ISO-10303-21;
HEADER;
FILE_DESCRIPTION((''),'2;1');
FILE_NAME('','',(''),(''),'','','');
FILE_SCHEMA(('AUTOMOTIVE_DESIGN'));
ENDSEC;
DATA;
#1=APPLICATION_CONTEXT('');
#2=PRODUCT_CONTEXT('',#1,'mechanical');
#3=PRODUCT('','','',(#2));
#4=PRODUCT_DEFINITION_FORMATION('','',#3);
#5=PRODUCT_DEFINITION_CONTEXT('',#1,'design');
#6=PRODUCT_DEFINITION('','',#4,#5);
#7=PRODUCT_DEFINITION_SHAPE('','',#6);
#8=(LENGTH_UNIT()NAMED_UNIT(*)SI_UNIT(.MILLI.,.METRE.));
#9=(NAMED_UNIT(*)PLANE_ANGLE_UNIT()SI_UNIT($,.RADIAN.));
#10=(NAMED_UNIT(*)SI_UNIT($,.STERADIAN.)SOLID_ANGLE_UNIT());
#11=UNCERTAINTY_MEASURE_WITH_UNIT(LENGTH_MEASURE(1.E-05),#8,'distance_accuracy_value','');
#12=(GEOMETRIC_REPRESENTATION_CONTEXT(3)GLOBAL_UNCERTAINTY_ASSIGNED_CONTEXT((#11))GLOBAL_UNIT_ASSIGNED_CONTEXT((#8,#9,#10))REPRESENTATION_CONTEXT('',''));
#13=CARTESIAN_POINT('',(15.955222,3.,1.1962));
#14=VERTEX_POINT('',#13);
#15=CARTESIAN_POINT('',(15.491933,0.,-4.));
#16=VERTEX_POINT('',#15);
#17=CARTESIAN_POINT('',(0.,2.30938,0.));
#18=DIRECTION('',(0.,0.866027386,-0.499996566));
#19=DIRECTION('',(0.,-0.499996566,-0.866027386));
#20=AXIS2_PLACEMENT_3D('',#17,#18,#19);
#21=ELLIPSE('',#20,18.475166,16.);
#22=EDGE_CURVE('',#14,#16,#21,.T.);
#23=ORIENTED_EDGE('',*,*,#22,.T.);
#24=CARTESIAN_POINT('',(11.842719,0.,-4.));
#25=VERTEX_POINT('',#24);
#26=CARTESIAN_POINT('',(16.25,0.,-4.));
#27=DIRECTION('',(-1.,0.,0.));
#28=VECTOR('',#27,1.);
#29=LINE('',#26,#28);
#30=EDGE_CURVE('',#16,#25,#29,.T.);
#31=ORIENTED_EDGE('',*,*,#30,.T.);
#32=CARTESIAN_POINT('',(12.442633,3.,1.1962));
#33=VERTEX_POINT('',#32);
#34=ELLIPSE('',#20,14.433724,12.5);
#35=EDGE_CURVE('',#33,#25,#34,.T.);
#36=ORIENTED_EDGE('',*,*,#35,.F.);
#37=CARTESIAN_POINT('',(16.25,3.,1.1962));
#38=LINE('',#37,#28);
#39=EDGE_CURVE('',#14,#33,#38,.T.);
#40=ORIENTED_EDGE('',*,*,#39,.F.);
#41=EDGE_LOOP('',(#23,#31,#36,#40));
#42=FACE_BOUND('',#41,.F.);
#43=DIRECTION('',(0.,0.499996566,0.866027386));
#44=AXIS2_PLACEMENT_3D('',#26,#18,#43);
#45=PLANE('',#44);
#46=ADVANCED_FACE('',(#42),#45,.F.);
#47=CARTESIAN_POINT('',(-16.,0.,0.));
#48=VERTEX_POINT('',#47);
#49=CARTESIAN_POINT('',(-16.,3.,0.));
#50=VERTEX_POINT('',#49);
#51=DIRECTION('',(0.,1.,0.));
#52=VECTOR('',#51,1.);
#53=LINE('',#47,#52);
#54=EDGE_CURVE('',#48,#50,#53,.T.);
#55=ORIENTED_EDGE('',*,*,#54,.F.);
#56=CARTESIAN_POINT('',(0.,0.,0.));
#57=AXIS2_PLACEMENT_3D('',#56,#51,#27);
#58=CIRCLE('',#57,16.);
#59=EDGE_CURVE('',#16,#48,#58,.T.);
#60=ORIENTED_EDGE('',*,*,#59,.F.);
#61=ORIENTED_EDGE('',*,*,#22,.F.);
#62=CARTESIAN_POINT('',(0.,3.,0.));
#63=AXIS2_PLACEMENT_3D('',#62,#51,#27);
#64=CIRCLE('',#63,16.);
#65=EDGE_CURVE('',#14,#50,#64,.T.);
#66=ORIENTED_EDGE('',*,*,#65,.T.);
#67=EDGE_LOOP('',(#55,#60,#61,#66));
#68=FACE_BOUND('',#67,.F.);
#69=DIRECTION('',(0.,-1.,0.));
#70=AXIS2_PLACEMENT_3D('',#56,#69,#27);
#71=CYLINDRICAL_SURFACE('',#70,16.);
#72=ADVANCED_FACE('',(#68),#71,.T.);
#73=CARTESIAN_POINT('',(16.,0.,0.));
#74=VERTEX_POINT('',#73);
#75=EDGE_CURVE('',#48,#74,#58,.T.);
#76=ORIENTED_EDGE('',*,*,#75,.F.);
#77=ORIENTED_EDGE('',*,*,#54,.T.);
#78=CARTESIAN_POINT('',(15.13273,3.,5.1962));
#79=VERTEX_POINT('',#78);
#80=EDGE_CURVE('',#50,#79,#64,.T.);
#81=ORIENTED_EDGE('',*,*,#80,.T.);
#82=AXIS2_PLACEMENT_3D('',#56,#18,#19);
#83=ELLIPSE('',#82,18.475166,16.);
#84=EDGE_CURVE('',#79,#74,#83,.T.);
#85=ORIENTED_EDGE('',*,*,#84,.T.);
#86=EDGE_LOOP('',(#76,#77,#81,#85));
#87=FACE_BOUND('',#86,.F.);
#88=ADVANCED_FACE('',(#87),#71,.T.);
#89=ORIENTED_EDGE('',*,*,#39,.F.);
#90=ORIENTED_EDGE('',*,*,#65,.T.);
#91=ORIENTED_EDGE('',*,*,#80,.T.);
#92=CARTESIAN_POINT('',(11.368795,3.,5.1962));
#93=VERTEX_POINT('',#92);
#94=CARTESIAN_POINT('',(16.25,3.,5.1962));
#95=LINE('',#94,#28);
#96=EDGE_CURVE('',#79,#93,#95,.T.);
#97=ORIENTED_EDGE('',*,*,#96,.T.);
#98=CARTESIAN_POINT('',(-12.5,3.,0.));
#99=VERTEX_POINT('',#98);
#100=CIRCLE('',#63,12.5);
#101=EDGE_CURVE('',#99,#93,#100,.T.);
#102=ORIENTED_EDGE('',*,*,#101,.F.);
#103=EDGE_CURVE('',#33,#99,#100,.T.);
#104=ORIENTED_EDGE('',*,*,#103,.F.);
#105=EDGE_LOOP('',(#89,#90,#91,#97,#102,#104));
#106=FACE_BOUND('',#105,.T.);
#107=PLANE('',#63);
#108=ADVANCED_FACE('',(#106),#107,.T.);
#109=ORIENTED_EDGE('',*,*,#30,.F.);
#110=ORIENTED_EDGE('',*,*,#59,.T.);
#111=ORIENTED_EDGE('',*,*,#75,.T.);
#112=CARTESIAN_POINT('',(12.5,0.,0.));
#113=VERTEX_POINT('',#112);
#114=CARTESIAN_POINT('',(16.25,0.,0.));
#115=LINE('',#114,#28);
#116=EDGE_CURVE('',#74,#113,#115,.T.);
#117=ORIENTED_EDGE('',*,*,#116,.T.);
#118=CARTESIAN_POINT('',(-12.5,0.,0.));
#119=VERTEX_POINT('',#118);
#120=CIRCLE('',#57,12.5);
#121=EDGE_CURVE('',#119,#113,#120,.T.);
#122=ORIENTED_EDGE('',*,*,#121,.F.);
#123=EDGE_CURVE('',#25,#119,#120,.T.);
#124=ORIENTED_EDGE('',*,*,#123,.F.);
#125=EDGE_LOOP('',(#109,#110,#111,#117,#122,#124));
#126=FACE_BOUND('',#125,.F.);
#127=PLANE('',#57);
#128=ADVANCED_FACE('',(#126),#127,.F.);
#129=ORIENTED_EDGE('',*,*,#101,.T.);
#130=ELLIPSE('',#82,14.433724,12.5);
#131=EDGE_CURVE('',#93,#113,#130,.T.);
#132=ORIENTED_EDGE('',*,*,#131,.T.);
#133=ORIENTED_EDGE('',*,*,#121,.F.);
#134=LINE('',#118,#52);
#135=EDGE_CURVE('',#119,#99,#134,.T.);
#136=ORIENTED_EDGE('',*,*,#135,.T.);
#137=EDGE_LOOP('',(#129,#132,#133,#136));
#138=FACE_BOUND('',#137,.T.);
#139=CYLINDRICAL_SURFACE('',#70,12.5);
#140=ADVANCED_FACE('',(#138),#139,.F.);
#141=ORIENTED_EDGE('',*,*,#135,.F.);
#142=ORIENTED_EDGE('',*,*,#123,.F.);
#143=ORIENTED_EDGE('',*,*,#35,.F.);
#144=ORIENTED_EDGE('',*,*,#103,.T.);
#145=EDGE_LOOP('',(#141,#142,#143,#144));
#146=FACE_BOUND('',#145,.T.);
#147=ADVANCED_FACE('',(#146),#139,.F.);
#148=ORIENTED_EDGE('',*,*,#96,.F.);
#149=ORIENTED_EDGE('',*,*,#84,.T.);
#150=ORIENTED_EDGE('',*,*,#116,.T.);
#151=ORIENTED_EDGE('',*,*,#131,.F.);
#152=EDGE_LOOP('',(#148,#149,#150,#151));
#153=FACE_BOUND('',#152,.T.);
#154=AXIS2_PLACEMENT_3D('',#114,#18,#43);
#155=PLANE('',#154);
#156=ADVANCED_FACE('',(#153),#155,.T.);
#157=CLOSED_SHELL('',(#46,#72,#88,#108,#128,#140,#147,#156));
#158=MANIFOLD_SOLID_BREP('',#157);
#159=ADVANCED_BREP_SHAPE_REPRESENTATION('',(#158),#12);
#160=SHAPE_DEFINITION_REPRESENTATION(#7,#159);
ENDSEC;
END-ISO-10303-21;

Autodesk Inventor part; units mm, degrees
ref_plane "XZ Plane" through (0, 0, 0) normal (0, 1, 0) x (-1, 0, 0)
ref_plane "XY Plane" through (0, 0, 0) normal (0, 0, 1) x (1, 0, 0)
sketch "Sketch1" plane through (0, 0, 0) normal (0, 1, 0) x (-1, 0, 0)
  circle A0 centre (0, 0) radius 16
  circle A1 centre (0, 0) radius 12.5
  dimension "d0" = 32
  dimension "d1" = 25
extrude "Extrusion1" add sketch "Sketch1" along normal blind 3
ref_plane "Work Plane1" through (16.25, 0, 0) normal (1, 0, 0) x (0, 1, 0)
sketch "Sketch2" plane through (16.25, 0, 0) normal (1, 0, 0) x (0, 1, 0)
  line L0 (0, 0) -> (3, 5.1962)
  line L1 (3, -16) -> (3, 16) projected
  line L2 (0, -12.5) -> (0, 12.5) projected
  line L3 (0, 0) -> (0, -4)
  line L4 (0, 16) -> (0, -16) projected
  line L5 (0, -4) -> (3, 1.1962)
  line L6 (3, 5.1962) -> (3, 1.1962)
  dimension "d10" = 2
  dimension "d11" = 30
extrude "Extrusion2" cut sketch "Sketch2" against normal blind 9
properties part number "PistonRing" material "Stainless Steel"
